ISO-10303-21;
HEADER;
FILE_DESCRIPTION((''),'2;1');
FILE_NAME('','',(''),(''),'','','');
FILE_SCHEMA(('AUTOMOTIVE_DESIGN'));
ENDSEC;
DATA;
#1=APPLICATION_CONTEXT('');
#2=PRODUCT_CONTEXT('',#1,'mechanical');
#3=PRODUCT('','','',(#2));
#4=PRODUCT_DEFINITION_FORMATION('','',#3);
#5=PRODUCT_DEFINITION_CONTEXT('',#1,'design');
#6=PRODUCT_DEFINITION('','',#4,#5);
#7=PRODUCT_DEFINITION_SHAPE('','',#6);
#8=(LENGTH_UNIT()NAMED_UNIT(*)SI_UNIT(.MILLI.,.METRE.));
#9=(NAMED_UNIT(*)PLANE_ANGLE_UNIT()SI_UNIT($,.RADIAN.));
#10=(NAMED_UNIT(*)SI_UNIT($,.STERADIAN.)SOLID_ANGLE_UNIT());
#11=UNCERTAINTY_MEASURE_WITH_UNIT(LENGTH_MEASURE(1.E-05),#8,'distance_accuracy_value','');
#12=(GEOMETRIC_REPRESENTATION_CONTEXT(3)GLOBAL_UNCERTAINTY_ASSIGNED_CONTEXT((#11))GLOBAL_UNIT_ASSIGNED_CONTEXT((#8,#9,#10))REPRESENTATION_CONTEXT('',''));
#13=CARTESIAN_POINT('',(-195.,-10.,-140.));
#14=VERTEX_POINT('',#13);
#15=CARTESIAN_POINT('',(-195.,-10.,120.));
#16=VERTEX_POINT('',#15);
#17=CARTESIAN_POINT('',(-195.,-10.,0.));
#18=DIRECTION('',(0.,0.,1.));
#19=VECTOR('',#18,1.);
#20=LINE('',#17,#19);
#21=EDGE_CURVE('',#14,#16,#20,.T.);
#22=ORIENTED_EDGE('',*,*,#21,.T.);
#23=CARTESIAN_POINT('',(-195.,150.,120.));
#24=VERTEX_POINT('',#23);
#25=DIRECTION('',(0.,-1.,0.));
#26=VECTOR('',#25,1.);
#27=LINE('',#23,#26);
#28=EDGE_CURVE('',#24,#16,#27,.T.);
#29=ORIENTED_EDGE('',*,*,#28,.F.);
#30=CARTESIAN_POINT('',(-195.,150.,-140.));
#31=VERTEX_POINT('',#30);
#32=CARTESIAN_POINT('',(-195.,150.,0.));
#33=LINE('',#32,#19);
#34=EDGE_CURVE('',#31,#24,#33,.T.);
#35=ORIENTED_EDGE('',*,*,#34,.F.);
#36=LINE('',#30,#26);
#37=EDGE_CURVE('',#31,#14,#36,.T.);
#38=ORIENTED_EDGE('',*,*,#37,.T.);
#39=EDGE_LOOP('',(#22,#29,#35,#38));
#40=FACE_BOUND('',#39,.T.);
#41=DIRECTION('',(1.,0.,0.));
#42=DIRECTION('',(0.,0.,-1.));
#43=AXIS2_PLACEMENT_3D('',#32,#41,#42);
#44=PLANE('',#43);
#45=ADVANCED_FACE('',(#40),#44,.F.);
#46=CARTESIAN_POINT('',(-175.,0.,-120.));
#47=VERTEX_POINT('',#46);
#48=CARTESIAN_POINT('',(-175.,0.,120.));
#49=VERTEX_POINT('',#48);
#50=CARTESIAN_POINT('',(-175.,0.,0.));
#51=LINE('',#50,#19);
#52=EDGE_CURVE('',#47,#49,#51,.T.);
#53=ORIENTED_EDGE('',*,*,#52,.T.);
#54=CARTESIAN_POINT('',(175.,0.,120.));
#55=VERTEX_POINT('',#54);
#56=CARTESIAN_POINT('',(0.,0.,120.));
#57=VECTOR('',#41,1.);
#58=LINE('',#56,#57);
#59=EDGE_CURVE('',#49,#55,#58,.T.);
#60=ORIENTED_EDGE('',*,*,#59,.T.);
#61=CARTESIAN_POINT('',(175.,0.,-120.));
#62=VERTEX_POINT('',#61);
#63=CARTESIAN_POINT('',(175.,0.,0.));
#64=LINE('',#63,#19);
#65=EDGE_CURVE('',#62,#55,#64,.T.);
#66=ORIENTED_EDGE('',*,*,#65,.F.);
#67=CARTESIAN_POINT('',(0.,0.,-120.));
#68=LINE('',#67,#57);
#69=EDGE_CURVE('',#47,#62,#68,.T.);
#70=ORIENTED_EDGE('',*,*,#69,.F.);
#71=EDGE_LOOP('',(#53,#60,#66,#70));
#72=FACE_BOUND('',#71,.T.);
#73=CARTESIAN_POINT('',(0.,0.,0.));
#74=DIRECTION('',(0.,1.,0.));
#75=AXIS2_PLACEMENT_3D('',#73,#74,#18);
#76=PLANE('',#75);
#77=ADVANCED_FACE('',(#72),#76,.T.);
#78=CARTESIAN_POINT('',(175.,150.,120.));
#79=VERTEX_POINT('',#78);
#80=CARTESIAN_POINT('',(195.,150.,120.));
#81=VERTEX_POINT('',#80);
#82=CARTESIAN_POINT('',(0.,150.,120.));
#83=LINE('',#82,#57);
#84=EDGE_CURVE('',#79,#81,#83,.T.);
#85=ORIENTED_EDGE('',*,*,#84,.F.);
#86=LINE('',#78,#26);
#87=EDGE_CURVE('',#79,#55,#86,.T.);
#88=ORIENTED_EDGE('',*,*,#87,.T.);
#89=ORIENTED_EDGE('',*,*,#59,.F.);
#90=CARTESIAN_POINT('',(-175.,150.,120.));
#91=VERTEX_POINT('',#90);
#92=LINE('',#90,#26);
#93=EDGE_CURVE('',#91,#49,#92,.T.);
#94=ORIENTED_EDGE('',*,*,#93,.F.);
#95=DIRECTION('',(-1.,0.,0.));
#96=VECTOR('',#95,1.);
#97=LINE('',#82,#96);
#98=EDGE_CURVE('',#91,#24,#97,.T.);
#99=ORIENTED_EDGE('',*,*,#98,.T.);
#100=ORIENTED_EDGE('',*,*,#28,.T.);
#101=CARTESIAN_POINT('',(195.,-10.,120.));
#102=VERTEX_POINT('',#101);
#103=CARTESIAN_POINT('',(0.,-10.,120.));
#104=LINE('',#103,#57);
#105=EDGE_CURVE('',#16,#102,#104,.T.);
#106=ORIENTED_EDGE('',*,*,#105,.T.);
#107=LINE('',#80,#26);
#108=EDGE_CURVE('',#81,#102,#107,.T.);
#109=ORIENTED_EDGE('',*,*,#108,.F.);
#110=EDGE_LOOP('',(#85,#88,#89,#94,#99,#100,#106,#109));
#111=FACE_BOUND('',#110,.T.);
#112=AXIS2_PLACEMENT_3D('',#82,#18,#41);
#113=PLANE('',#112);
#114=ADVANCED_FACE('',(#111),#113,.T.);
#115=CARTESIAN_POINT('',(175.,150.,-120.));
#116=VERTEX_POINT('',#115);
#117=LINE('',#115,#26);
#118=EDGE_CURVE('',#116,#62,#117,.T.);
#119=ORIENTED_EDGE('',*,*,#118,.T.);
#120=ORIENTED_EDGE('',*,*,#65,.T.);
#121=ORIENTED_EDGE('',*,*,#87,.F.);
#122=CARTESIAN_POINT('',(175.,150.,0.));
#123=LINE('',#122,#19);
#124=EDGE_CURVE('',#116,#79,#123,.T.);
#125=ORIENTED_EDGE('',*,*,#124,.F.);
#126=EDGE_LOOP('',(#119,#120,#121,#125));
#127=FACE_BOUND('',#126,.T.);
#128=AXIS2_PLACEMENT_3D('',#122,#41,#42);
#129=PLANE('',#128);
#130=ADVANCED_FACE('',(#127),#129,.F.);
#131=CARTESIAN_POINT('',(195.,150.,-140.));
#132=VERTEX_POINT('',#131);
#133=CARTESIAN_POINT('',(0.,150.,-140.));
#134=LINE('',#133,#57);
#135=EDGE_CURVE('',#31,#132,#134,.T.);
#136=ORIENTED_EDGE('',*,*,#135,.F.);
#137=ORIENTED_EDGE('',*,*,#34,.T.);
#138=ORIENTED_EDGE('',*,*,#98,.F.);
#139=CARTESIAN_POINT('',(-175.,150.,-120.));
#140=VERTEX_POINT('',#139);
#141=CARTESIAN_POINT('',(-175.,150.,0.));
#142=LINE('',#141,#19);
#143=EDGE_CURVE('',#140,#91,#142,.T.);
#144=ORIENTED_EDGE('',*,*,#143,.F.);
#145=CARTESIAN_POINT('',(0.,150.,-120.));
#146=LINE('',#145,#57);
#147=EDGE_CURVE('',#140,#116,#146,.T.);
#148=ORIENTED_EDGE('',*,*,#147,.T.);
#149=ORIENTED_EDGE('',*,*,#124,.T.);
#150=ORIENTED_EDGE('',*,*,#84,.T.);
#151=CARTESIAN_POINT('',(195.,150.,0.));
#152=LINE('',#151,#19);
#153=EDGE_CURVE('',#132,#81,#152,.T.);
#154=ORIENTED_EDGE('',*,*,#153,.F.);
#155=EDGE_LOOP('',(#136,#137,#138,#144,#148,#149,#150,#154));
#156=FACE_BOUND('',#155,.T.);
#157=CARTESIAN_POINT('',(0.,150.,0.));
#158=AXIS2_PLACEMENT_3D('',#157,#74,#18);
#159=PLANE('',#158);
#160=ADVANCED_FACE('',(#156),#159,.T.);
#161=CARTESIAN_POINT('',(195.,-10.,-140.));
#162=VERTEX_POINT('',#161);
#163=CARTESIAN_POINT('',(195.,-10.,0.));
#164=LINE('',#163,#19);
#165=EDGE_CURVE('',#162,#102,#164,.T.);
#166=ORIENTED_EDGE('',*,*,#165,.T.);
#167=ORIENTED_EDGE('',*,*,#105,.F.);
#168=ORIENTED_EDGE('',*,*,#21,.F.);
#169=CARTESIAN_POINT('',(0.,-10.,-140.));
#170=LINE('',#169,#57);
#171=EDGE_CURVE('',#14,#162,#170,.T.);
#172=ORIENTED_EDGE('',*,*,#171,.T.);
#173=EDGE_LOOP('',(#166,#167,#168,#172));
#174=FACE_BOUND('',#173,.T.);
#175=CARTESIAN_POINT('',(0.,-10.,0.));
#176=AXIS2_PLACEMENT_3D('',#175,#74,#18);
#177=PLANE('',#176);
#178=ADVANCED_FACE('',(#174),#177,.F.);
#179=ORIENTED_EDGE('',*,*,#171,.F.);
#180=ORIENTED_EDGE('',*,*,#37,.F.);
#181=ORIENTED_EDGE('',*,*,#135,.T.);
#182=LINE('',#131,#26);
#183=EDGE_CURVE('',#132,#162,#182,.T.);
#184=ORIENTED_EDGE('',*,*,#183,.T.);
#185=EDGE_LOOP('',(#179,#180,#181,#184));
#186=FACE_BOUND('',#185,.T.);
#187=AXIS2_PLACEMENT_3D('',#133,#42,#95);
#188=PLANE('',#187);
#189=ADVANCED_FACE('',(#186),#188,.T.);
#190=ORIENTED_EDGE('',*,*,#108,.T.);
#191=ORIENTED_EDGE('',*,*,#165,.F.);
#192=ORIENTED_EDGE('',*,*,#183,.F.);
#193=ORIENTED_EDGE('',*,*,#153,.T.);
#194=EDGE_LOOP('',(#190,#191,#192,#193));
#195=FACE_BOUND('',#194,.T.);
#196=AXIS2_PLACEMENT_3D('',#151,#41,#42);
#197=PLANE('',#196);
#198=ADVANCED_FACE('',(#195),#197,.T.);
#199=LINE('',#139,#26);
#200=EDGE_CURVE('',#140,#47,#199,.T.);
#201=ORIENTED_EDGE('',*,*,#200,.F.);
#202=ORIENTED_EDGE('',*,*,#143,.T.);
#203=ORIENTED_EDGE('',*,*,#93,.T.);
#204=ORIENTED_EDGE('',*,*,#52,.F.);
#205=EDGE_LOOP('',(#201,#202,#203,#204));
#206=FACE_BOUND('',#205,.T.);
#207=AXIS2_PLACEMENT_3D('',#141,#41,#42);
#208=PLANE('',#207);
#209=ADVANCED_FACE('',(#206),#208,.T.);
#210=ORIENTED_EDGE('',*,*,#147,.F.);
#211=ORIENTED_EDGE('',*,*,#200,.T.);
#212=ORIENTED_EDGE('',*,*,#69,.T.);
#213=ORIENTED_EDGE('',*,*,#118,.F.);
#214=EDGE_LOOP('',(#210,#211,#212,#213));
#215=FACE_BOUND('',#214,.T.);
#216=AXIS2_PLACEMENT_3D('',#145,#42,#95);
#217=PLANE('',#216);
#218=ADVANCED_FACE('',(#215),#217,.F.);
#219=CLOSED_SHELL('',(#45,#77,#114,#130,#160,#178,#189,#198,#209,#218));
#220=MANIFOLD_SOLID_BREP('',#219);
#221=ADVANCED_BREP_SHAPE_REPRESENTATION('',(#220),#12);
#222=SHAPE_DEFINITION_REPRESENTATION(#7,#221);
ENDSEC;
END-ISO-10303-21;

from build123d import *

# Parameters (mm, degrees)
BOSS_EXTRUDE1_DEPTH = 150
SKETCH1_3_W         = 390
SKETCH1_3_H         = 260
BOSS_EXTRUDE2_DEPTH = 10


with BuildPart() as part:
    # Sketch1 → Boss-Extrude1 (new body)
    with BuildSketch(Plane(origin=(0, 0, 0), x_dir=(1, 0, 0), z_dir=(0, 1, 0))):
        Polygon((195, 140), (-195, 140), (-195, -120), (-175, -120), (-175, 120), (175, 120), (175, -120), (195, -120), align=None)
    extrude(amount=BOSS_EXTRUDE1_DEPTH)

    # Sketch1<3> → Boss-Extrude2 (add)
    with BuildSketch(Plane(origin=(0, 0, 0), x_dir=(1, 0, 0), z_dir=(0, 1, 0))):
        with Locations((0, 10)):
            Rectangle(SKETCH1_3_W, SKETCH1_3_H)
    extrude(amount=-BOSS_EXTRUDE2_DEPTH)


solid = part.part
